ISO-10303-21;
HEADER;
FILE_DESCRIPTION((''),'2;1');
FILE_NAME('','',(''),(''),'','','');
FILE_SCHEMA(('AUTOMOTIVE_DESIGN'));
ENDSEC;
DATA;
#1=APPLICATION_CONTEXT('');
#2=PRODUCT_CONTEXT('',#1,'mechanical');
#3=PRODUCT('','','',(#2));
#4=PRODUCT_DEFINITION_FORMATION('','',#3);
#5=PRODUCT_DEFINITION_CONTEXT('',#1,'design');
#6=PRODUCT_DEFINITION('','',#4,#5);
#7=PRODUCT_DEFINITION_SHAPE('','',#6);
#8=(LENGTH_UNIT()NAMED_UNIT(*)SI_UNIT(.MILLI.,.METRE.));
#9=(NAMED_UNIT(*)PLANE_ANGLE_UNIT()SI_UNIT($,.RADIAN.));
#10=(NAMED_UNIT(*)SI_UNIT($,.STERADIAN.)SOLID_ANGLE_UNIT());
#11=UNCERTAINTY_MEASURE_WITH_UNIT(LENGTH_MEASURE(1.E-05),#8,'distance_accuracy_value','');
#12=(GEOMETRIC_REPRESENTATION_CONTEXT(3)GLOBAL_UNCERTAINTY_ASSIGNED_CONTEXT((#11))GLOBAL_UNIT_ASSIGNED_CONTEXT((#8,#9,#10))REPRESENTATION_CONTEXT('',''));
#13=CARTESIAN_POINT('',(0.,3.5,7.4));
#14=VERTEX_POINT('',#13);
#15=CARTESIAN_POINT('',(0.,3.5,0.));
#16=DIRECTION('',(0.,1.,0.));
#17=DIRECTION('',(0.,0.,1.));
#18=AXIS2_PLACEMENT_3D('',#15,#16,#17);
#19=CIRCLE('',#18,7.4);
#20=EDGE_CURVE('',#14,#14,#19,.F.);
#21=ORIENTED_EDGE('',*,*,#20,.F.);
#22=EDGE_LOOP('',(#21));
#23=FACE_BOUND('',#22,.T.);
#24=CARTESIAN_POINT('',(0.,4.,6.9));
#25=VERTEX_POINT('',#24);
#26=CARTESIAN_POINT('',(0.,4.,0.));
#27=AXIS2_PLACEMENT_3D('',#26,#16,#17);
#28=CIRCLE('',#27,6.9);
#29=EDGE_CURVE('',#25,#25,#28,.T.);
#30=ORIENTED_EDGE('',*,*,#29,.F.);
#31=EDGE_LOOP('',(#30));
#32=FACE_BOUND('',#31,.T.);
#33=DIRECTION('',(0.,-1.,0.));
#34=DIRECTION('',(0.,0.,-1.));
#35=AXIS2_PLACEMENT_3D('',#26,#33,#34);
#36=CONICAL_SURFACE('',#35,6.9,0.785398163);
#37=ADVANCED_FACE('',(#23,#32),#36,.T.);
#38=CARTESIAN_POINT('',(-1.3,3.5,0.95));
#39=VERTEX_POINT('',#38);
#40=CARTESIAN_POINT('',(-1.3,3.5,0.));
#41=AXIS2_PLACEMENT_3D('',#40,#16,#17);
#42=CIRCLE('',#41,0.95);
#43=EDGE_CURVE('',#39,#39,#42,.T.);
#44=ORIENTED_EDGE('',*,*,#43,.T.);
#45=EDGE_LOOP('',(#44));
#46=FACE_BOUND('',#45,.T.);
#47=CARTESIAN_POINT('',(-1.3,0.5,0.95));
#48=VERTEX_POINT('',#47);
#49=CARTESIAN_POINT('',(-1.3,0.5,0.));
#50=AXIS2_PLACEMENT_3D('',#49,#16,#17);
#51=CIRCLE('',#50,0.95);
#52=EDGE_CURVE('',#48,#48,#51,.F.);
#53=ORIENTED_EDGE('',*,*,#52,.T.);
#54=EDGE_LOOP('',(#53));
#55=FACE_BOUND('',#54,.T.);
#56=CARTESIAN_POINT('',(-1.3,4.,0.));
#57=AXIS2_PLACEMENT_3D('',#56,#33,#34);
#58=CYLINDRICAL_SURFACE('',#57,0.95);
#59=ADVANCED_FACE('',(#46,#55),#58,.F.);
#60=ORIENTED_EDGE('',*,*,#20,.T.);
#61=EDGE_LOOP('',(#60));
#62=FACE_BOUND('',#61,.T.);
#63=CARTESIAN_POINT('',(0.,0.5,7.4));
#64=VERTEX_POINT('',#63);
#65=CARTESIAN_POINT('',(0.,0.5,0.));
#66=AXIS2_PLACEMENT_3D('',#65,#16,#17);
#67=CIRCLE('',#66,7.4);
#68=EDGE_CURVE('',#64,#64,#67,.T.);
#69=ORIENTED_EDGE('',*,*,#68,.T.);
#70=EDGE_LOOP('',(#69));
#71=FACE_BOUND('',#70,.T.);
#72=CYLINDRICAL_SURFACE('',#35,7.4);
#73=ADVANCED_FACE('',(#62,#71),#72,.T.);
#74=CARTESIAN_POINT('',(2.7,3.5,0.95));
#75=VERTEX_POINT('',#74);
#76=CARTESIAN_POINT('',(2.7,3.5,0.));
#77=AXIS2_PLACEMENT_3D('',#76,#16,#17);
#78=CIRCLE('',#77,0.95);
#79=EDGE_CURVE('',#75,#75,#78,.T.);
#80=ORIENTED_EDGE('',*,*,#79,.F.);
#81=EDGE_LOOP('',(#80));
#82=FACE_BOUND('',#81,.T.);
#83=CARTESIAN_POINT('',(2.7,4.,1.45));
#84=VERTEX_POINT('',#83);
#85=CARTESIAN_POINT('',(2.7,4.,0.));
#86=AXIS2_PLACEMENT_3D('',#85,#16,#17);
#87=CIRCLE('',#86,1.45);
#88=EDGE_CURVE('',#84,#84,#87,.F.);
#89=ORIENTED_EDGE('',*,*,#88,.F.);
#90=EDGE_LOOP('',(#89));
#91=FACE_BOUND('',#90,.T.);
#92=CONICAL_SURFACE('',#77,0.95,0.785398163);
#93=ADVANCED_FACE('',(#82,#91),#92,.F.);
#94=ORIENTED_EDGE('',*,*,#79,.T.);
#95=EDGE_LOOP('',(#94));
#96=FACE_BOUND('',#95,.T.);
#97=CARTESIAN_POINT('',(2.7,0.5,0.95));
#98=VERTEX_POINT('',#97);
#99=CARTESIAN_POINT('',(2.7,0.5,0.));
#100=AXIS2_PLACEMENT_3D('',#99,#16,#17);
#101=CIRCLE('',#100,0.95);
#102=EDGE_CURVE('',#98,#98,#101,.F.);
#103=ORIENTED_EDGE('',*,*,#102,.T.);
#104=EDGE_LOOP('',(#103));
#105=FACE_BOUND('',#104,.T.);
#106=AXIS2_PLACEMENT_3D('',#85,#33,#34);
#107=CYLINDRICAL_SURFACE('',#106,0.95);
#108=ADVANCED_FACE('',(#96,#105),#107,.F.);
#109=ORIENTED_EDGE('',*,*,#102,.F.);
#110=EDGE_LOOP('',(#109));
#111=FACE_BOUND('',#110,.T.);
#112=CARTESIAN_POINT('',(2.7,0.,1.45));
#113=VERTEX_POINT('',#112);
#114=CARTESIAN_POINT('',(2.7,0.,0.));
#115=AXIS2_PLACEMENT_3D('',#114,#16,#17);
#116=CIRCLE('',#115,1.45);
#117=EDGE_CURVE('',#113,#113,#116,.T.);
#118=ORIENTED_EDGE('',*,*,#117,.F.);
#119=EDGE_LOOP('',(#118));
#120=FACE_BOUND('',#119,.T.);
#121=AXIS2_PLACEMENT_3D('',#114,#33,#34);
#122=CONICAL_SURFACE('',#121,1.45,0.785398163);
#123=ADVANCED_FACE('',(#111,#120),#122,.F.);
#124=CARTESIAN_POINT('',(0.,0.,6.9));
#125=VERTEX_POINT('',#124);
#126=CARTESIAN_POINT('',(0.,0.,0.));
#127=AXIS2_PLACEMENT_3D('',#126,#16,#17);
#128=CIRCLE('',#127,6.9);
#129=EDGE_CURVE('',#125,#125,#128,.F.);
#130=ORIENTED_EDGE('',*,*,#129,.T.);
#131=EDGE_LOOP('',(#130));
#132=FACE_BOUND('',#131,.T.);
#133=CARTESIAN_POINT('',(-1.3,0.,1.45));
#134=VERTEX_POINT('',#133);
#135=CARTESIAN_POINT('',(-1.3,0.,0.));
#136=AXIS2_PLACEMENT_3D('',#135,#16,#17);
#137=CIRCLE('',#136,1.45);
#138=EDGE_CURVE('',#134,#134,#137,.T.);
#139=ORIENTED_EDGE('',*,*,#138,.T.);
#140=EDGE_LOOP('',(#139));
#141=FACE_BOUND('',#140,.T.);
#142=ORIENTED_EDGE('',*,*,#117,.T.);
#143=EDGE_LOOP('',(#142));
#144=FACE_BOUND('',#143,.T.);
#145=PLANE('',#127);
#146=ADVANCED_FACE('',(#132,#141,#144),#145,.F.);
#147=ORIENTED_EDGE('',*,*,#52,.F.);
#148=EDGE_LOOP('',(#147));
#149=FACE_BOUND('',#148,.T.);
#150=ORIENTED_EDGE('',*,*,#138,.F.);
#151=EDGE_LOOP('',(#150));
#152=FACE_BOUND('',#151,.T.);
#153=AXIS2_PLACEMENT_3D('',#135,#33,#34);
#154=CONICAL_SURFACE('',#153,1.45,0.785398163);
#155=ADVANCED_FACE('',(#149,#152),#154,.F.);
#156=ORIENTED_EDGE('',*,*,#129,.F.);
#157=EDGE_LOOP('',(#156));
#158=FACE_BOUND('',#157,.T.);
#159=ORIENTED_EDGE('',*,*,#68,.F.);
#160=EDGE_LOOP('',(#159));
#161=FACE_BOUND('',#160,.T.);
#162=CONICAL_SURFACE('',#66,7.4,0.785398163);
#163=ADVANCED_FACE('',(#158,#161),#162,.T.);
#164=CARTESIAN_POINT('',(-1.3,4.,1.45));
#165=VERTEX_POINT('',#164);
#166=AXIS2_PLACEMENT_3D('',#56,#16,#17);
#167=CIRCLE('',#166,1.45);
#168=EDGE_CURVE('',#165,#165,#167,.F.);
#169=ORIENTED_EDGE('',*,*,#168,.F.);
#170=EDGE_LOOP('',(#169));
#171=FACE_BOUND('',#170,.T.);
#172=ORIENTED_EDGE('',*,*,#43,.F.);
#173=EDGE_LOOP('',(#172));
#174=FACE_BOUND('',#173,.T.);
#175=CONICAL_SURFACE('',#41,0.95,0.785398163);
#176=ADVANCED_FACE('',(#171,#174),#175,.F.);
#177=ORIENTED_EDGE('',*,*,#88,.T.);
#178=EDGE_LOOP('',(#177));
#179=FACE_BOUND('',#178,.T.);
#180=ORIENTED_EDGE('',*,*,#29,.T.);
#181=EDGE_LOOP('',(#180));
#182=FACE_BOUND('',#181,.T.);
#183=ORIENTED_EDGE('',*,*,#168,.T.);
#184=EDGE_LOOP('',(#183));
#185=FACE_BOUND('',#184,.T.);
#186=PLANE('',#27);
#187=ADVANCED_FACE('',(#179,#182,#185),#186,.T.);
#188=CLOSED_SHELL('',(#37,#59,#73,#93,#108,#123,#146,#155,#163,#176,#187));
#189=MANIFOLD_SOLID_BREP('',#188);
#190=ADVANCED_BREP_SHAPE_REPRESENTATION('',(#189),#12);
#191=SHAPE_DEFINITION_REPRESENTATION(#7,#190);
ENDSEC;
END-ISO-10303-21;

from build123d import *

# Parameters (mm, degrees)
SKETCH_1_R      = 7.4
SKETCH_1_R_2    = 0.95
EXTRUDE_1_DEPTH = 4
CHAMFER_1_SIZE  = 0.5


with BuildPart() as part:
    # 草图1 → 凸台-拉伸1 (new body)
    with BuildSketch(Plane(origin=(0, 0, 0), x_dir=(1, 0, 0), z_dir=(0, 1, 0))):
        Circle(SKETCH_1_R)
        with Locations((2.7, 0)):
            Circle(SKETCH_1_R_2, mode=Mode.SUBTRACT)
        with Locations((-1.3, 0)):
            Circle(SKETCH_1_R_2, mode=Mode.SUBTRACT)
    extrude(amount=EXTRUDE_1_DEPTH)

    # 倒角1
    chamfer_1_edges = [part.edges().sort_by_distance(p)[0] for p in [
        (-7.4, 0, 0),
        (-7.4, 4, 0),
        (-2.25, 0, 0),
        (1.75, 0, 0),
        (-2.25, 4, 0),
        (1.75, 4, 0),
    ]]
    chamfer(chamfer_1_edges, length=CHAMFER_1_SIZE)


solid = part.part
